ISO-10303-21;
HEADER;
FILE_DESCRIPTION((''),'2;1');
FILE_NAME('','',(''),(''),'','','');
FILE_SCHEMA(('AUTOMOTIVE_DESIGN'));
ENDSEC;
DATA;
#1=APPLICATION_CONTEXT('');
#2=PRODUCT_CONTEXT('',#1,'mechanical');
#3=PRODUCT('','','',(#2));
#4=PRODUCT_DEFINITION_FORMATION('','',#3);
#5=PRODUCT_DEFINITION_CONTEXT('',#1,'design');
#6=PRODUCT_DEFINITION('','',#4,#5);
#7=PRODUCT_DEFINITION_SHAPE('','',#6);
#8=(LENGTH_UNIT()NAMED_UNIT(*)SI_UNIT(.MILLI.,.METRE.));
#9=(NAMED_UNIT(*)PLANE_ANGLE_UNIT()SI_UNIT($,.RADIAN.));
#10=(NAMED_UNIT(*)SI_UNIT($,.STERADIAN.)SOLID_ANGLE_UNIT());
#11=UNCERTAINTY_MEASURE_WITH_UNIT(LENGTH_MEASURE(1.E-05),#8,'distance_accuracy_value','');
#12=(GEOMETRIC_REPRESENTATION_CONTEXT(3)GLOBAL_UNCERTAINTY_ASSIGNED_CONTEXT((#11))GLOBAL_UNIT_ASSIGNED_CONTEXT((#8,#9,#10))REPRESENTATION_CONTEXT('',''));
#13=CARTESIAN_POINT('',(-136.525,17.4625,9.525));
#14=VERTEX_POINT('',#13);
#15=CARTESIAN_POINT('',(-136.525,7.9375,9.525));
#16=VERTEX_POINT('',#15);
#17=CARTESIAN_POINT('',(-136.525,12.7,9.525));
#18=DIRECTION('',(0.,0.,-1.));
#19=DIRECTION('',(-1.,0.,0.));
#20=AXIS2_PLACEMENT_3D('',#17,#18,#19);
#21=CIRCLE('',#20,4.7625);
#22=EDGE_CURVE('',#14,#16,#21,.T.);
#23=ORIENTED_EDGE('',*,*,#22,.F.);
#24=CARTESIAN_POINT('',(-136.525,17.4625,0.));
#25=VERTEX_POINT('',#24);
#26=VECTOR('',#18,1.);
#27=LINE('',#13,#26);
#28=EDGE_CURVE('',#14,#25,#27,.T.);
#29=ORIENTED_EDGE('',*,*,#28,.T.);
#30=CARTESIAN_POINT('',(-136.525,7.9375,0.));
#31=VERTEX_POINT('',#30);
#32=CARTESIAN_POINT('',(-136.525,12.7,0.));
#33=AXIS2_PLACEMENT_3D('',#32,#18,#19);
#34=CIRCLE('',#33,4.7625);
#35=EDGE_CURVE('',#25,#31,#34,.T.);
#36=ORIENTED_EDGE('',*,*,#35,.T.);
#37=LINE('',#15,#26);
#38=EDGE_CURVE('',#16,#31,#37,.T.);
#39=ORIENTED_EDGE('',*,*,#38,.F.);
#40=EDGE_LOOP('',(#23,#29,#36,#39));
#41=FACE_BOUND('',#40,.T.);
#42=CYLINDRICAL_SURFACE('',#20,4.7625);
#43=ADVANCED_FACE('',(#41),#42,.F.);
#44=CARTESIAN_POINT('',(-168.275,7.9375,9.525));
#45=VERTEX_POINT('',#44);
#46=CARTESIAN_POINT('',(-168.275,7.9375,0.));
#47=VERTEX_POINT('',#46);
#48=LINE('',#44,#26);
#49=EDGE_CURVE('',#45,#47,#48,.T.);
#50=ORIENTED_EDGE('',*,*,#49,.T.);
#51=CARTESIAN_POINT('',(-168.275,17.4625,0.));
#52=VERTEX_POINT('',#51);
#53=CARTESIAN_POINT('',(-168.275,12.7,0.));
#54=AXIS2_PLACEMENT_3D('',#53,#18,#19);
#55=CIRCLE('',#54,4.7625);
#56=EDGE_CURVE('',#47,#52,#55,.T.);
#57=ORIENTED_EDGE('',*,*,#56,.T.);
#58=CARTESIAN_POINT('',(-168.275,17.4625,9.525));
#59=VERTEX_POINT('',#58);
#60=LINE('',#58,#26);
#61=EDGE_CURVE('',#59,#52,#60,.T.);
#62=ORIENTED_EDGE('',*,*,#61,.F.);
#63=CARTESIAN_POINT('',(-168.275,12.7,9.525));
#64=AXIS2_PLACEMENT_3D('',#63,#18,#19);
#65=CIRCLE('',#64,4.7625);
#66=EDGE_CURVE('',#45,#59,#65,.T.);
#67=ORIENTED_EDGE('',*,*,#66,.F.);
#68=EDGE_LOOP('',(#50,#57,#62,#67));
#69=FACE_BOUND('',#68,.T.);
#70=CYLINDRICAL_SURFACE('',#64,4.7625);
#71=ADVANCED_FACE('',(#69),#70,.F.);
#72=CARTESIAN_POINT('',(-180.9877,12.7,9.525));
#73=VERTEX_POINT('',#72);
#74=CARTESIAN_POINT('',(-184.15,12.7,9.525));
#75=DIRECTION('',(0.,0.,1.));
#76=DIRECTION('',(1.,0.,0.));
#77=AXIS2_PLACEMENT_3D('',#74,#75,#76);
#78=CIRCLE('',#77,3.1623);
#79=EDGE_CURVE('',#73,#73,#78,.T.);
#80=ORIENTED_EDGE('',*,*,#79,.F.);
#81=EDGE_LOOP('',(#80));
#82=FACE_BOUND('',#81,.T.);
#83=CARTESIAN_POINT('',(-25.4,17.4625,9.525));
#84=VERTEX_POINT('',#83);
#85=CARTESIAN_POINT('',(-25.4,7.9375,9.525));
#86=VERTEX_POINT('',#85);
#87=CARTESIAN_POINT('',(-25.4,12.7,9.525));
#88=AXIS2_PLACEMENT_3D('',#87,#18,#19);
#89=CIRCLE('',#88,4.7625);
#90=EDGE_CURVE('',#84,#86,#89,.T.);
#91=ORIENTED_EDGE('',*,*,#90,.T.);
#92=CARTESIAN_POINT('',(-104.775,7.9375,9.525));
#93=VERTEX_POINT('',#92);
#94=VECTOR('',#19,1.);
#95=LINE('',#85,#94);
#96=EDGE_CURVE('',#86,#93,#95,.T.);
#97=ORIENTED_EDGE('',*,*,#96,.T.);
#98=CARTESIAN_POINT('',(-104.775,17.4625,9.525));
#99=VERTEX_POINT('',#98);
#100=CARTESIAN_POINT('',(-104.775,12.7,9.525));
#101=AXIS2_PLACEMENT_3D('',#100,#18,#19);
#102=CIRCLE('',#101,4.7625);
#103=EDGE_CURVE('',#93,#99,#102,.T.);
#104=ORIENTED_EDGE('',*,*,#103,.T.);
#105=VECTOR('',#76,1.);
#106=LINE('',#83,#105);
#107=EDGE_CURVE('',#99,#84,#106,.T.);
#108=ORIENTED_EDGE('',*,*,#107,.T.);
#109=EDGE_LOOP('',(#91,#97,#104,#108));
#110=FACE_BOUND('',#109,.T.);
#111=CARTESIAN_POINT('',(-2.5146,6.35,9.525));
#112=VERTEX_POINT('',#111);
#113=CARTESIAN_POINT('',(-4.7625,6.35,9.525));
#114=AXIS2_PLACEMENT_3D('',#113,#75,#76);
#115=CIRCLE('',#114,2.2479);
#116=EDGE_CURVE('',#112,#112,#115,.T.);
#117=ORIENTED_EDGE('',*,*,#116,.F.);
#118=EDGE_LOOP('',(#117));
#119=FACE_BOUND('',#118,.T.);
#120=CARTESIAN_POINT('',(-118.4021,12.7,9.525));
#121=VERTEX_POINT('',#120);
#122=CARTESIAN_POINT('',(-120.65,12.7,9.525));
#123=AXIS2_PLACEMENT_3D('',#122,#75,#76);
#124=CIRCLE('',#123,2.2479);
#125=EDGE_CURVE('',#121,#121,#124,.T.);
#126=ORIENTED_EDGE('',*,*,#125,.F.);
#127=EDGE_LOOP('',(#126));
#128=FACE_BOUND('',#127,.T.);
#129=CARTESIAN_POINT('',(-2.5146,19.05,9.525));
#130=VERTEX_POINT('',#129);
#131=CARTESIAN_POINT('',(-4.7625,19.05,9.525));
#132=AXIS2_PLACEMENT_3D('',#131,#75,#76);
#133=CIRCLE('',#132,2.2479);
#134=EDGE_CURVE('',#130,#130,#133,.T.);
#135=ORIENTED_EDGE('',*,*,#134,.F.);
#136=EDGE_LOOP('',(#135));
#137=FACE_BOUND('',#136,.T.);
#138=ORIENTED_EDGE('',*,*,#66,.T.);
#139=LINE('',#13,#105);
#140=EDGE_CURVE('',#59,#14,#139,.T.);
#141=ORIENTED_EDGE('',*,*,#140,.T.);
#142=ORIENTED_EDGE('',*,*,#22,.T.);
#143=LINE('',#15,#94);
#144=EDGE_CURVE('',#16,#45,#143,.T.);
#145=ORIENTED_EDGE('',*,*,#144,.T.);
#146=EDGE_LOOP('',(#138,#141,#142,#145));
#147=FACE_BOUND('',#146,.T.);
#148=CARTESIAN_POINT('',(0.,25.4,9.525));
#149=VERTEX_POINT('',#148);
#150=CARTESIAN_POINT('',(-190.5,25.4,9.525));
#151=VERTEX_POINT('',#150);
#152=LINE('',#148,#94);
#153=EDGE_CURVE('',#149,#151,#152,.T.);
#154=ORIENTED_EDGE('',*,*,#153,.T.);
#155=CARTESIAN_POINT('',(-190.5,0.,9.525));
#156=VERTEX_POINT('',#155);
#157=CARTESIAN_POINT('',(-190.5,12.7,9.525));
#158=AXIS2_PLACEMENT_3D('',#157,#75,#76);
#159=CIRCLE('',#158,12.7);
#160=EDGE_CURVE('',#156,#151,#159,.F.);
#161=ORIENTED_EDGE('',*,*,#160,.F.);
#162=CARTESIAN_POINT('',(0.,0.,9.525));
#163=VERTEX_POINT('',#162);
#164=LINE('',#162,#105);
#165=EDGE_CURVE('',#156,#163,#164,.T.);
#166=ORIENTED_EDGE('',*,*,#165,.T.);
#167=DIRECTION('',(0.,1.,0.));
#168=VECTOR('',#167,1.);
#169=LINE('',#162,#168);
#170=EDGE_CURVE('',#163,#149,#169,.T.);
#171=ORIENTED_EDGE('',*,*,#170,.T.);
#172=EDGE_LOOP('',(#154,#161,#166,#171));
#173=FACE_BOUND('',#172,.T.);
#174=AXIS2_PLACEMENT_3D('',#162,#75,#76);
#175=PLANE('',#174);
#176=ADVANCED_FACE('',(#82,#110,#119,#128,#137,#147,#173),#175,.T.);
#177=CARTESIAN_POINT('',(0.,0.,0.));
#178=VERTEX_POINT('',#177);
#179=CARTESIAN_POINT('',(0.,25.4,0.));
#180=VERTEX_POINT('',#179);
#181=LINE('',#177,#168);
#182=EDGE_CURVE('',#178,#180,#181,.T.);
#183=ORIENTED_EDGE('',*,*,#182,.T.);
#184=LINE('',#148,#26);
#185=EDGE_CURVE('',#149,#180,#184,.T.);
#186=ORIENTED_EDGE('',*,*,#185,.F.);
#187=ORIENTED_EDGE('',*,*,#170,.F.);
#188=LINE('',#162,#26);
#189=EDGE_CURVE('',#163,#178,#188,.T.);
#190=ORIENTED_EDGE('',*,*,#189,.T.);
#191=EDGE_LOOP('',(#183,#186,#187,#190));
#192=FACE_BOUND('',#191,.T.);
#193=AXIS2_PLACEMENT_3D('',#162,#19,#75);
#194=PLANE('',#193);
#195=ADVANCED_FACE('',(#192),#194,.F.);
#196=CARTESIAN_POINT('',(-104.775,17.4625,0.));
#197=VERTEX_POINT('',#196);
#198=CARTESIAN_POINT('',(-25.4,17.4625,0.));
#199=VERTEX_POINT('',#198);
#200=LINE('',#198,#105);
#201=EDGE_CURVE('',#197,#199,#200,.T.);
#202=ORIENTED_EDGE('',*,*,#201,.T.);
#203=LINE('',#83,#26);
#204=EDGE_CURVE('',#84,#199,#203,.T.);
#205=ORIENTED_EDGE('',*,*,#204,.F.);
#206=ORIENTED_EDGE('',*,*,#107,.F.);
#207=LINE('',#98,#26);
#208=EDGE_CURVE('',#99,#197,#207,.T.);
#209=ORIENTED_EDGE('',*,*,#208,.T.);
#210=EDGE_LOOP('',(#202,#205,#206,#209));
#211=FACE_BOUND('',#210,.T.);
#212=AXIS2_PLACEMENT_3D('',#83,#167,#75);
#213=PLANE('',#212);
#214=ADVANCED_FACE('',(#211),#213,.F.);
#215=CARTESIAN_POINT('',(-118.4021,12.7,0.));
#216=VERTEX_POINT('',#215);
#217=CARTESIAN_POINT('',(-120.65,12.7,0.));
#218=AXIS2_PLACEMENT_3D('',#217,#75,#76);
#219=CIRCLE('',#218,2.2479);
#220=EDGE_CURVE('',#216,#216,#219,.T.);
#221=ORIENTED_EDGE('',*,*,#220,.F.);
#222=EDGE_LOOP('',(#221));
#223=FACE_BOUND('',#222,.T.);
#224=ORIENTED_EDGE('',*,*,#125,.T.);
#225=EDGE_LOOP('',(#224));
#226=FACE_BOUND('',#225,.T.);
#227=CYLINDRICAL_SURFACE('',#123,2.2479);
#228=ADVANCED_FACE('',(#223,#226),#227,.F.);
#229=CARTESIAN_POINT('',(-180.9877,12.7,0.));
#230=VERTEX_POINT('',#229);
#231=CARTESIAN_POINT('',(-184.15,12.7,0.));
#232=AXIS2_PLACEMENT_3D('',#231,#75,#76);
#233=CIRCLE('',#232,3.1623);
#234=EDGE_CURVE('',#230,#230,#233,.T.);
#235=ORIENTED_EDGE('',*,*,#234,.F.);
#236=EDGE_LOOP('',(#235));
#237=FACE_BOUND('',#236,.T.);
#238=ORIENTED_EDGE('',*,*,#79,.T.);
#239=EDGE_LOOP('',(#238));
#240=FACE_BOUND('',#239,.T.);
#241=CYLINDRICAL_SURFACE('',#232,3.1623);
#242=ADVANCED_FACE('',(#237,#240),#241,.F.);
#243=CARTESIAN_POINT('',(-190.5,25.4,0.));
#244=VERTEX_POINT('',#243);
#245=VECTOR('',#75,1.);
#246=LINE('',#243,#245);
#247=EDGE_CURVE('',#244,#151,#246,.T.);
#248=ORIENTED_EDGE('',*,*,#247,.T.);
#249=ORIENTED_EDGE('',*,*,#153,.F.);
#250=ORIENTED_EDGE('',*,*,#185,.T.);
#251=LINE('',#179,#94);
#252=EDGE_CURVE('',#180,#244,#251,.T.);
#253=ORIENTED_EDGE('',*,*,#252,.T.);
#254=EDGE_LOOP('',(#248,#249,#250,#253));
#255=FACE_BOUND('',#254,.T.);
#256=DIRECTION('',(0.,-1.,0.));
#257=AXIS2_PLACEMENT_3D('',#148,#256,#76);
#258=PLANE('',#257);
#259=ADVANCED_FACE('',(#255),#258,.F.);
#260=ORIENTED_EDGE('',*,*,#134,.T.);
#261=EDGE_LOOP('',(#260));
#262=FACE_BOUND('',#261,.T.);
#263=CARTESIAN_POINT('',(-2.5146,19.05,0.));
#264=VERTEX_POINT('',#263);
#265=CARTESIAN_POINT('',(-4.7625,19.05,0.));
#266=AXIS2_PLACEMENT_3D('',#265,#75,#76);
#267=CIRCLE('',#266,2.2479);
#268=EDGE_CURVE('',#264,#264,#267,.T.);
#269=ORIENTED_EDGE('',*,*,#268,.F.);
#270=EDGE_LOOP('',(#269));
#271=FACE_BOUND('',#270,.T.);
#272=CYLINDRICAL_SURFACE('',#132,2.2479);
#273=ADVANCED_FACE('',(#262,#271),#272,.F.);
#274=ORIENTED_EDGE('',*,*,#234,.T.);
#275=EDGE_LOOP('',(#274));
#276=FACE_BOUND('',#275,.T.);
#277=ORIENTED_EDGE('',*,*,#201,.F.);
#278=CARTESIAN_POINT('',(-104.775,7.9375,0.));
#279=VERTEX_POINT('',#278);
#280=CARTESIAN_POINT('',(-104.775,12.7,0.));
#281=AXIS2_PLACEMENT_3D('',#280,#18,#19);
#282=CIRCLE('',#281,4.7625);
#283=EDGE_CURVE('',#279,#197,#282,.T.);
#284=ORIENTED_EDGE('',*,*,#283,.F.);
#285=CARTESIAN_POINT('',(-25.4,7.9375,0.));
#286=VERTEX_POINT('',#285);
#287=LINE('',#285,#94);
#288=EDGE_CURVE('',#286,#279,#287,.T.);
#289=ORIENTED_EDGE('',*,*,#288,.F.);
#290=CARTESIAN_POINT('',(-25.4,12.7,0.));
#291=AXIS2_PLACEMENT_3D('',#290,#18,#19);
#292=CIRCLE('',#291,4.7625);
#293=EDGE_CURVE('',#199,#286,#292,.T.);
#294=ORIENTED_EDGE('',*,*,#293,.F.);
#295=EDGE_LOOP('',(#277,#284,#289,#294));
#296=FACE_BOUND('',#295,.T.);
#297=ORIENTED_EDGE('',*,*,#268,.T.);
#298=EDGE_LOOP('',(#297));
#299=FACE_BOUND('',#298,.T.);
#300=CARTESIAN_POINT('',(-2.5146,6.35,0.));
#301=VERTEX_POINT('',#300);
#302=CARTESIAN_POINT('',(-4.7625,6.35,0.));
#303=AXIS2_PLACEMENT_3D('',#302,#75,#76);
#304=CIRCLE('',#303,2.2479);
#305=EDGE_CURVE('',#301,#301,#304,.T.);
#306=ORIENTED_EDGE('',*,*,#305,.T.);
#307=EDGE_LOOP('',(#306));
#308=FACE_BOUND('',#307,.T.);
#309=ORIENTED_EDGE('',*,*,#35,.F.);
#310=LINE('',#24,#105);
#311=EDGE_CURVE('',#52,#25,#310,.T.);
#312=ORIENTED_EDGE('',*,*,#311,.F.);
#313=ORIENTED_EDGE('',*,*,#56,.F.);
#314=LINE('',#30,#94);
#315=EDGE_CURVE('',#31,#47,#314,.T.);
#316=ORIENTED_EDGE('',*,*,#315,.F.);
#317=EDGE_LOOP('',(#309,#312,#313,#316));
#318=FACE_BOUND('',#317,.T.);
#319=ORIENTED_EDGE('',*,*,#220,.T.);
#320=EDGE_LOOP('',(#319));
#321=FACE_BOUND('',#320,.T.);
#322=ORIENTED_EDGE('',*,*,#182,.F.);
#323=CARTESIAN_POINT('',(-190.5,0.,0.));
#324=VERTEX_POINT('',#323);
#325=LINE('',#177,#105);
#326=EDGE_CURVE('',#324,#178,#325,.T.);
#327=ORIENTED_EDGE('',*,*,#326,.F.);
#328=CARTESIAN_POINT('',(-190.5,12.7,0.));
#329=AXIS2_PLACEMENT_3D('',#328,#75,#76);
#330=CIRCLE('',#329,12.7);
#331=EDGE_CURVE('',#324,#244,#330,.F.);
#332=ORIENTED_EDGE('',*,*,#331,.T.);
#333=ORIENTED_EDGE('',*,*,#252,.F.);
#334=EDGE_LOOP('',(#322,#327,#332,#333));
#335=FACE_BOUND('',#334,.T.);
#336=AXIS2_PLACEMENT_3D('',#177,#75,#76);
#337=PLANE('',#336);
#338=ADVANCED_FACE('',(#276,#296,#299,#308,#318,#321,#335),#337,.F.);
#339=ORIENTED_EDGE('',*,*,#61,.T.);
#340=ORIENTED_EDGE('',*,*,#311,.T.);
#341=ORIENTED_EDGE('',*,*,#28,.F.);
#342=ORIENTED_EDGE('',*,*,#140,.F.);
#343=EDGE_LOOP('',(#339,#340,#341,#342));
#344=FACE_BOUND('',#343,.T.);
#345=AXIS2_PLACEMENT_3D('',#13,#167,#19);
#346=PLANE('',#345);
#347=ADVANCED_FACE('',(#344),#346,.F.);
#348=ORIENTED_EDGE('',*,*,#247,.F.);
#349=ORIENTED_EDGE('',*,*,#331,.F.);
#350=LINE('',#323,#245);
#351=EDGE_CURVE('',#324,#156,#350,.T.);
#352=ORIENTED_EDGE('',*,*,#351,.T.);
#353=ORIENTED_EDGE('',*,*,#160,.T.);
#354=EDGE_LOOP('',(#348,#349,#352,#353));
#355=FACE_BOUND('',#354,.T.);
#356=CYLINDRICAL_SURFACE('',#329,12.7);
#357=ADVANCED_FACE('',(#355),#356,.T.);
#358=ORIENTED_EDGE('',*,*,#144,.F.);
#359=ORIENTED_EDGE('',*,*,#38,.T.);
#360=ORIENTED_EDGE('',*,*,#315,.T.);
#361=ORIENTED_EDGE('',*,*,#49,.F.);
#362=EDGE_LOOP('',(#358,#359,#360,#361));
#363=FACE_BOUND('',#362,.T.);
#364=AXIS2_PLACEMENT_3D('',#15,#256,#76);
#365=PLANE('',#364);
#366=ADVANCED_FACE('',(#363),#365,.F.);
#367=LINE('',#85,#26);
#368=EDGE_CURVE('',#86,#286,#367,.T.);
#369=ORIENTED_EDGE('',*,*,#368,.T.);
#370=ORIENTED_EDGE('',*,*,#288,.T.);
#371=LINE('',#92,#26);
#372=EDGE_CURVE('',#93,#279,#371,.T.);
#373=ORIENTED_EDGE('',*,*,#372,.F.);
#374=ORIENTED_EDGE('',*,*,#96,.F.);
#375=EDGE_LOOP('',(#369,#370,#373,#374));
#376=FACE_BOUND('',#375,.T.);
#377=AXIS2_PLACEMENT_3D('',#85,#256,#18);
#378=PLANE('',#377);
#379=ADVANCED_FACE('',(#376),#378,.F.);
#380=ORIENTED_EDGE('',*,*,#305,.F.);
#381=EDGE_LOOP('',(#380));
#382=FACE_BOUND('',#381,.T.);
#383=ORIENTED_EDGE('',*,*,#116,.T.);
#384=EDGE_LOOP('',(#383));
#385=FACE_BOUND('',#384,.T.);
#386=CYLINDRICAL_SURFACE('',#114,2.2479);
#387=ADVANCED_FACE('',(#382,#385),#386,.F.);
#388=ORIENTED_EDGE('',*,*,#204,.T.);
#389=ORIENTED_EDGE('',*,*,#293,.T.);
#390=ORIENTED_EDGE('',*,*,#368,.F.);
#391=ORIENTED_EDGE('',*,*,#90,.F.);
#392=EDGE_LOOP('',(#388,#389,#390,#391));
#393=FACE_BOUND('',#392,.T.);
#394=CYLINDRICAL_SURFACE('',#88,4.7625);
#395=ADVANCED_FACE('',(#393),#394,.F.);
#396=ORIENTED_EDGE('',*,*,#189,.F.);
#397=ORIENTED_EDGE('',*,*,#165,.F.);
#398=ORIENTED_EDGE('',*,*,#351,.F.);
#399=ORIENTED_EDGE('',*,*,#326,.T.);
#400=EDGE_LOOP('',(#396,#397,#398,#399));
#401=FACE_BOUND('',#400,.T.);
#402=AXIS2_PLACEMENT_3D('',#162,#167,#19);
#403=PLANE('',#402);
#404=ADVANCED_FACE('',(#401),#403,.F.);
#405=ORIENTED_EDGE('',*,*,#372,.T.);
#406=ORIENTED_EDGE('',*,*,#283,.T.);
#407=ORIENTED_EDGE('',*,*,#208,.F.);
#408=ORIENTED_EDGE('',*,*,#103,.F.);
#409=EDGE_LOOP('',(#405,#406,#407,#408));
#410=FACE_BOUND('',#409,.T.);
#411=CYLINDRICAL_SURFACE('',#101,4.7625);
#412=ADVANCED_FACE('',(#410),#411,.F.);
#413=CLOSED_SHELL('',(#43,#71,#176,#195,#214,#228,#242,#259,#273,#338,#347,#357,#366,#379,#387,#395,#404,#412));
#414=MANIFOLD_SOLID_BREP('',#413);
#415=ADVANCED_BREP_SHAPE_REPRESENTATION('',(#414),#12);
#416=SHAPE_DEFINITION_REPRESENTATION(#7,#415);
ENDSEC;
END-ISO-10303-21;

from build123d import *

# Parameters (mm, degrees)
SKETCH1_W                 = 203.2
SKETCH1_H                 = 25.4
BOSS_EXTRUDE1_DEPTH       = 9.525
F_8_CLEARANCE_HOLE1_D     = 4.4958
F_8_CLEARANCE_HOLE1_DEPTH = 25.4
F_8_CLEARANCE_HOLE1_TIP   = 1.350674586
SKETCH5_R                 = 3.1623
CUT_EXTRUDE1_DEPTH        = 9.525
F_8_CLEARANCE_HOLE2_D     = 4.4958
F_8_CLEARANCE_HOLE2_DEPTH = 19.05
F_8_CLEARANCE_HOLE2_TIP   = 1.350674586
CUT_EXTRUDE2_DEPTH        = 10.525
CUT_EXTRUDE3_DEPTH        = 10.525


with BuildPart() as part:
    # Sketch1 → Boss-Extrude1 (new body)
    with BuildSketch(Plane.XY):
        with Locations((-101.6, 12.7)):
            Rectangle(SKETCH1_W, SKETCH1_H)
    extrude(amount=BOSS_EXTRUDE1_DEPTH)

    # #8 Clearance Hole1
    with Locations(Plane.XY.offset(9.525)):
        with Locations((-4.7625, 6.35), (-4.7625, 19.05)):
            Hole(F_8_CLEARANCE_HOLE1_D / 2, depth=F_8_CLEARANCE_HOLE1_DEPTH)
            with Locations((0, 0, -(F_8_CLEARANCE_HOLE1_DEPTH + F_8_CLEARANCE_HOLE1_TIP / 2))):  # 118° drill point
                Cone(0, F_8_CLEARANCE_HOLE1_D / 2, F_8_CLEARANCE_HOLE1_TIP, mode=Mode.SUBTRACT)

    # Sketch5 → Cut-Extrude1 (cut)
    with BuildSketch(Plane.XY.offset(9.525)):
        with Locations((-184.15, 12.7)):
            Circle(SKETCH5_R)
    extrude(amount=-CUT_EXTRUDE1_DEPTH, mode=Mode.SUBTRACT)

    # #8 Clearance Hole2
    with Locations(Plane.XY.offset(9.525)):
        with Locations((-120.65, 12.7)):
            Hole(F_8_CLEARANCE_HOLE2_D / 2, depth=F_8_CLEARANCE_HOLE2_DEPTH)
            with Locations((0, 0, -(F_8_CLEARANCE_HOLE2_DEPTH + F_8_CLEARANCE_HOLE2_TIP / 2))):  # 118° drill point
                Cone(0, F_8_CLEARANCE_HOLE2_D / 2, F_8_CLEARANCE_HOLE2_TIP, mode=Mode.SUBTRACT)

    # Sketch10 → Cut-Extrude2 (cut, through all)
    with BuildSketch(Plane.XY.offset(9.525)):
        with BuildLine():
            Line((-190.5, 25.4), (-203.2, 25.4))
            Line((-203.2, 25.4), (-203.2, 12.7))
            ThreePointArc((-203.2, 12.7), (-199.480256121, 21.680256121), (-190.5, 25.4))
        make_face()
        with BuildLine():
            ThreePointArc((-190.5, 0), (-199.480256121, 3.719743879), (-203.2, 12.7))
            Line((-203.2, 12.7), (-203.2, 0))
            Line((-203.2, 0), (-190.5, 0))
        make_face()
    extrude(amount=-CUT_EXTRUDE2_DEPTH, mode=Mode.SUBTRACT)

    # Sketch11 → Cut-Extrude3 (cut, through all)
    with BuildSketch(Plane(origin=(0, 0, 0), x_dir=(-1, 0, 0), z_dir=(0, 0, -1))):
        with BuildLine():
            Line((25.4, 17.4625), (104.775, 17.4625))
            ThreePointArc((104.775, 17.4625), (109.5375, 12.7), (104.775, 7.9375))
            Line((104.775, 7.9375), (25.4, 7.9375))
            ThreePointArc((25.4, 7.9375), (20.6375, 12.7), (25.4, 17.4625))
        make_face()
        with BuildLine():
            Line((136.525, 17.4625), (168.275, 17.4625))
            ThreePointArc((168.275, 17.4625), (173.0375, 12.7), (168.275, 7.9375))
            Line((168.275, 7.9375), (136.525, 7.9375))
            ThreePointArc((136.525, 7.9375), (131.7625, 12.7), (136.525, 17.4625))
        make_face()
    extrude(amount=-CUT_EXTRUDE3_DEPTH, mode=Mode.SUBTRACT)


solid = part.part
